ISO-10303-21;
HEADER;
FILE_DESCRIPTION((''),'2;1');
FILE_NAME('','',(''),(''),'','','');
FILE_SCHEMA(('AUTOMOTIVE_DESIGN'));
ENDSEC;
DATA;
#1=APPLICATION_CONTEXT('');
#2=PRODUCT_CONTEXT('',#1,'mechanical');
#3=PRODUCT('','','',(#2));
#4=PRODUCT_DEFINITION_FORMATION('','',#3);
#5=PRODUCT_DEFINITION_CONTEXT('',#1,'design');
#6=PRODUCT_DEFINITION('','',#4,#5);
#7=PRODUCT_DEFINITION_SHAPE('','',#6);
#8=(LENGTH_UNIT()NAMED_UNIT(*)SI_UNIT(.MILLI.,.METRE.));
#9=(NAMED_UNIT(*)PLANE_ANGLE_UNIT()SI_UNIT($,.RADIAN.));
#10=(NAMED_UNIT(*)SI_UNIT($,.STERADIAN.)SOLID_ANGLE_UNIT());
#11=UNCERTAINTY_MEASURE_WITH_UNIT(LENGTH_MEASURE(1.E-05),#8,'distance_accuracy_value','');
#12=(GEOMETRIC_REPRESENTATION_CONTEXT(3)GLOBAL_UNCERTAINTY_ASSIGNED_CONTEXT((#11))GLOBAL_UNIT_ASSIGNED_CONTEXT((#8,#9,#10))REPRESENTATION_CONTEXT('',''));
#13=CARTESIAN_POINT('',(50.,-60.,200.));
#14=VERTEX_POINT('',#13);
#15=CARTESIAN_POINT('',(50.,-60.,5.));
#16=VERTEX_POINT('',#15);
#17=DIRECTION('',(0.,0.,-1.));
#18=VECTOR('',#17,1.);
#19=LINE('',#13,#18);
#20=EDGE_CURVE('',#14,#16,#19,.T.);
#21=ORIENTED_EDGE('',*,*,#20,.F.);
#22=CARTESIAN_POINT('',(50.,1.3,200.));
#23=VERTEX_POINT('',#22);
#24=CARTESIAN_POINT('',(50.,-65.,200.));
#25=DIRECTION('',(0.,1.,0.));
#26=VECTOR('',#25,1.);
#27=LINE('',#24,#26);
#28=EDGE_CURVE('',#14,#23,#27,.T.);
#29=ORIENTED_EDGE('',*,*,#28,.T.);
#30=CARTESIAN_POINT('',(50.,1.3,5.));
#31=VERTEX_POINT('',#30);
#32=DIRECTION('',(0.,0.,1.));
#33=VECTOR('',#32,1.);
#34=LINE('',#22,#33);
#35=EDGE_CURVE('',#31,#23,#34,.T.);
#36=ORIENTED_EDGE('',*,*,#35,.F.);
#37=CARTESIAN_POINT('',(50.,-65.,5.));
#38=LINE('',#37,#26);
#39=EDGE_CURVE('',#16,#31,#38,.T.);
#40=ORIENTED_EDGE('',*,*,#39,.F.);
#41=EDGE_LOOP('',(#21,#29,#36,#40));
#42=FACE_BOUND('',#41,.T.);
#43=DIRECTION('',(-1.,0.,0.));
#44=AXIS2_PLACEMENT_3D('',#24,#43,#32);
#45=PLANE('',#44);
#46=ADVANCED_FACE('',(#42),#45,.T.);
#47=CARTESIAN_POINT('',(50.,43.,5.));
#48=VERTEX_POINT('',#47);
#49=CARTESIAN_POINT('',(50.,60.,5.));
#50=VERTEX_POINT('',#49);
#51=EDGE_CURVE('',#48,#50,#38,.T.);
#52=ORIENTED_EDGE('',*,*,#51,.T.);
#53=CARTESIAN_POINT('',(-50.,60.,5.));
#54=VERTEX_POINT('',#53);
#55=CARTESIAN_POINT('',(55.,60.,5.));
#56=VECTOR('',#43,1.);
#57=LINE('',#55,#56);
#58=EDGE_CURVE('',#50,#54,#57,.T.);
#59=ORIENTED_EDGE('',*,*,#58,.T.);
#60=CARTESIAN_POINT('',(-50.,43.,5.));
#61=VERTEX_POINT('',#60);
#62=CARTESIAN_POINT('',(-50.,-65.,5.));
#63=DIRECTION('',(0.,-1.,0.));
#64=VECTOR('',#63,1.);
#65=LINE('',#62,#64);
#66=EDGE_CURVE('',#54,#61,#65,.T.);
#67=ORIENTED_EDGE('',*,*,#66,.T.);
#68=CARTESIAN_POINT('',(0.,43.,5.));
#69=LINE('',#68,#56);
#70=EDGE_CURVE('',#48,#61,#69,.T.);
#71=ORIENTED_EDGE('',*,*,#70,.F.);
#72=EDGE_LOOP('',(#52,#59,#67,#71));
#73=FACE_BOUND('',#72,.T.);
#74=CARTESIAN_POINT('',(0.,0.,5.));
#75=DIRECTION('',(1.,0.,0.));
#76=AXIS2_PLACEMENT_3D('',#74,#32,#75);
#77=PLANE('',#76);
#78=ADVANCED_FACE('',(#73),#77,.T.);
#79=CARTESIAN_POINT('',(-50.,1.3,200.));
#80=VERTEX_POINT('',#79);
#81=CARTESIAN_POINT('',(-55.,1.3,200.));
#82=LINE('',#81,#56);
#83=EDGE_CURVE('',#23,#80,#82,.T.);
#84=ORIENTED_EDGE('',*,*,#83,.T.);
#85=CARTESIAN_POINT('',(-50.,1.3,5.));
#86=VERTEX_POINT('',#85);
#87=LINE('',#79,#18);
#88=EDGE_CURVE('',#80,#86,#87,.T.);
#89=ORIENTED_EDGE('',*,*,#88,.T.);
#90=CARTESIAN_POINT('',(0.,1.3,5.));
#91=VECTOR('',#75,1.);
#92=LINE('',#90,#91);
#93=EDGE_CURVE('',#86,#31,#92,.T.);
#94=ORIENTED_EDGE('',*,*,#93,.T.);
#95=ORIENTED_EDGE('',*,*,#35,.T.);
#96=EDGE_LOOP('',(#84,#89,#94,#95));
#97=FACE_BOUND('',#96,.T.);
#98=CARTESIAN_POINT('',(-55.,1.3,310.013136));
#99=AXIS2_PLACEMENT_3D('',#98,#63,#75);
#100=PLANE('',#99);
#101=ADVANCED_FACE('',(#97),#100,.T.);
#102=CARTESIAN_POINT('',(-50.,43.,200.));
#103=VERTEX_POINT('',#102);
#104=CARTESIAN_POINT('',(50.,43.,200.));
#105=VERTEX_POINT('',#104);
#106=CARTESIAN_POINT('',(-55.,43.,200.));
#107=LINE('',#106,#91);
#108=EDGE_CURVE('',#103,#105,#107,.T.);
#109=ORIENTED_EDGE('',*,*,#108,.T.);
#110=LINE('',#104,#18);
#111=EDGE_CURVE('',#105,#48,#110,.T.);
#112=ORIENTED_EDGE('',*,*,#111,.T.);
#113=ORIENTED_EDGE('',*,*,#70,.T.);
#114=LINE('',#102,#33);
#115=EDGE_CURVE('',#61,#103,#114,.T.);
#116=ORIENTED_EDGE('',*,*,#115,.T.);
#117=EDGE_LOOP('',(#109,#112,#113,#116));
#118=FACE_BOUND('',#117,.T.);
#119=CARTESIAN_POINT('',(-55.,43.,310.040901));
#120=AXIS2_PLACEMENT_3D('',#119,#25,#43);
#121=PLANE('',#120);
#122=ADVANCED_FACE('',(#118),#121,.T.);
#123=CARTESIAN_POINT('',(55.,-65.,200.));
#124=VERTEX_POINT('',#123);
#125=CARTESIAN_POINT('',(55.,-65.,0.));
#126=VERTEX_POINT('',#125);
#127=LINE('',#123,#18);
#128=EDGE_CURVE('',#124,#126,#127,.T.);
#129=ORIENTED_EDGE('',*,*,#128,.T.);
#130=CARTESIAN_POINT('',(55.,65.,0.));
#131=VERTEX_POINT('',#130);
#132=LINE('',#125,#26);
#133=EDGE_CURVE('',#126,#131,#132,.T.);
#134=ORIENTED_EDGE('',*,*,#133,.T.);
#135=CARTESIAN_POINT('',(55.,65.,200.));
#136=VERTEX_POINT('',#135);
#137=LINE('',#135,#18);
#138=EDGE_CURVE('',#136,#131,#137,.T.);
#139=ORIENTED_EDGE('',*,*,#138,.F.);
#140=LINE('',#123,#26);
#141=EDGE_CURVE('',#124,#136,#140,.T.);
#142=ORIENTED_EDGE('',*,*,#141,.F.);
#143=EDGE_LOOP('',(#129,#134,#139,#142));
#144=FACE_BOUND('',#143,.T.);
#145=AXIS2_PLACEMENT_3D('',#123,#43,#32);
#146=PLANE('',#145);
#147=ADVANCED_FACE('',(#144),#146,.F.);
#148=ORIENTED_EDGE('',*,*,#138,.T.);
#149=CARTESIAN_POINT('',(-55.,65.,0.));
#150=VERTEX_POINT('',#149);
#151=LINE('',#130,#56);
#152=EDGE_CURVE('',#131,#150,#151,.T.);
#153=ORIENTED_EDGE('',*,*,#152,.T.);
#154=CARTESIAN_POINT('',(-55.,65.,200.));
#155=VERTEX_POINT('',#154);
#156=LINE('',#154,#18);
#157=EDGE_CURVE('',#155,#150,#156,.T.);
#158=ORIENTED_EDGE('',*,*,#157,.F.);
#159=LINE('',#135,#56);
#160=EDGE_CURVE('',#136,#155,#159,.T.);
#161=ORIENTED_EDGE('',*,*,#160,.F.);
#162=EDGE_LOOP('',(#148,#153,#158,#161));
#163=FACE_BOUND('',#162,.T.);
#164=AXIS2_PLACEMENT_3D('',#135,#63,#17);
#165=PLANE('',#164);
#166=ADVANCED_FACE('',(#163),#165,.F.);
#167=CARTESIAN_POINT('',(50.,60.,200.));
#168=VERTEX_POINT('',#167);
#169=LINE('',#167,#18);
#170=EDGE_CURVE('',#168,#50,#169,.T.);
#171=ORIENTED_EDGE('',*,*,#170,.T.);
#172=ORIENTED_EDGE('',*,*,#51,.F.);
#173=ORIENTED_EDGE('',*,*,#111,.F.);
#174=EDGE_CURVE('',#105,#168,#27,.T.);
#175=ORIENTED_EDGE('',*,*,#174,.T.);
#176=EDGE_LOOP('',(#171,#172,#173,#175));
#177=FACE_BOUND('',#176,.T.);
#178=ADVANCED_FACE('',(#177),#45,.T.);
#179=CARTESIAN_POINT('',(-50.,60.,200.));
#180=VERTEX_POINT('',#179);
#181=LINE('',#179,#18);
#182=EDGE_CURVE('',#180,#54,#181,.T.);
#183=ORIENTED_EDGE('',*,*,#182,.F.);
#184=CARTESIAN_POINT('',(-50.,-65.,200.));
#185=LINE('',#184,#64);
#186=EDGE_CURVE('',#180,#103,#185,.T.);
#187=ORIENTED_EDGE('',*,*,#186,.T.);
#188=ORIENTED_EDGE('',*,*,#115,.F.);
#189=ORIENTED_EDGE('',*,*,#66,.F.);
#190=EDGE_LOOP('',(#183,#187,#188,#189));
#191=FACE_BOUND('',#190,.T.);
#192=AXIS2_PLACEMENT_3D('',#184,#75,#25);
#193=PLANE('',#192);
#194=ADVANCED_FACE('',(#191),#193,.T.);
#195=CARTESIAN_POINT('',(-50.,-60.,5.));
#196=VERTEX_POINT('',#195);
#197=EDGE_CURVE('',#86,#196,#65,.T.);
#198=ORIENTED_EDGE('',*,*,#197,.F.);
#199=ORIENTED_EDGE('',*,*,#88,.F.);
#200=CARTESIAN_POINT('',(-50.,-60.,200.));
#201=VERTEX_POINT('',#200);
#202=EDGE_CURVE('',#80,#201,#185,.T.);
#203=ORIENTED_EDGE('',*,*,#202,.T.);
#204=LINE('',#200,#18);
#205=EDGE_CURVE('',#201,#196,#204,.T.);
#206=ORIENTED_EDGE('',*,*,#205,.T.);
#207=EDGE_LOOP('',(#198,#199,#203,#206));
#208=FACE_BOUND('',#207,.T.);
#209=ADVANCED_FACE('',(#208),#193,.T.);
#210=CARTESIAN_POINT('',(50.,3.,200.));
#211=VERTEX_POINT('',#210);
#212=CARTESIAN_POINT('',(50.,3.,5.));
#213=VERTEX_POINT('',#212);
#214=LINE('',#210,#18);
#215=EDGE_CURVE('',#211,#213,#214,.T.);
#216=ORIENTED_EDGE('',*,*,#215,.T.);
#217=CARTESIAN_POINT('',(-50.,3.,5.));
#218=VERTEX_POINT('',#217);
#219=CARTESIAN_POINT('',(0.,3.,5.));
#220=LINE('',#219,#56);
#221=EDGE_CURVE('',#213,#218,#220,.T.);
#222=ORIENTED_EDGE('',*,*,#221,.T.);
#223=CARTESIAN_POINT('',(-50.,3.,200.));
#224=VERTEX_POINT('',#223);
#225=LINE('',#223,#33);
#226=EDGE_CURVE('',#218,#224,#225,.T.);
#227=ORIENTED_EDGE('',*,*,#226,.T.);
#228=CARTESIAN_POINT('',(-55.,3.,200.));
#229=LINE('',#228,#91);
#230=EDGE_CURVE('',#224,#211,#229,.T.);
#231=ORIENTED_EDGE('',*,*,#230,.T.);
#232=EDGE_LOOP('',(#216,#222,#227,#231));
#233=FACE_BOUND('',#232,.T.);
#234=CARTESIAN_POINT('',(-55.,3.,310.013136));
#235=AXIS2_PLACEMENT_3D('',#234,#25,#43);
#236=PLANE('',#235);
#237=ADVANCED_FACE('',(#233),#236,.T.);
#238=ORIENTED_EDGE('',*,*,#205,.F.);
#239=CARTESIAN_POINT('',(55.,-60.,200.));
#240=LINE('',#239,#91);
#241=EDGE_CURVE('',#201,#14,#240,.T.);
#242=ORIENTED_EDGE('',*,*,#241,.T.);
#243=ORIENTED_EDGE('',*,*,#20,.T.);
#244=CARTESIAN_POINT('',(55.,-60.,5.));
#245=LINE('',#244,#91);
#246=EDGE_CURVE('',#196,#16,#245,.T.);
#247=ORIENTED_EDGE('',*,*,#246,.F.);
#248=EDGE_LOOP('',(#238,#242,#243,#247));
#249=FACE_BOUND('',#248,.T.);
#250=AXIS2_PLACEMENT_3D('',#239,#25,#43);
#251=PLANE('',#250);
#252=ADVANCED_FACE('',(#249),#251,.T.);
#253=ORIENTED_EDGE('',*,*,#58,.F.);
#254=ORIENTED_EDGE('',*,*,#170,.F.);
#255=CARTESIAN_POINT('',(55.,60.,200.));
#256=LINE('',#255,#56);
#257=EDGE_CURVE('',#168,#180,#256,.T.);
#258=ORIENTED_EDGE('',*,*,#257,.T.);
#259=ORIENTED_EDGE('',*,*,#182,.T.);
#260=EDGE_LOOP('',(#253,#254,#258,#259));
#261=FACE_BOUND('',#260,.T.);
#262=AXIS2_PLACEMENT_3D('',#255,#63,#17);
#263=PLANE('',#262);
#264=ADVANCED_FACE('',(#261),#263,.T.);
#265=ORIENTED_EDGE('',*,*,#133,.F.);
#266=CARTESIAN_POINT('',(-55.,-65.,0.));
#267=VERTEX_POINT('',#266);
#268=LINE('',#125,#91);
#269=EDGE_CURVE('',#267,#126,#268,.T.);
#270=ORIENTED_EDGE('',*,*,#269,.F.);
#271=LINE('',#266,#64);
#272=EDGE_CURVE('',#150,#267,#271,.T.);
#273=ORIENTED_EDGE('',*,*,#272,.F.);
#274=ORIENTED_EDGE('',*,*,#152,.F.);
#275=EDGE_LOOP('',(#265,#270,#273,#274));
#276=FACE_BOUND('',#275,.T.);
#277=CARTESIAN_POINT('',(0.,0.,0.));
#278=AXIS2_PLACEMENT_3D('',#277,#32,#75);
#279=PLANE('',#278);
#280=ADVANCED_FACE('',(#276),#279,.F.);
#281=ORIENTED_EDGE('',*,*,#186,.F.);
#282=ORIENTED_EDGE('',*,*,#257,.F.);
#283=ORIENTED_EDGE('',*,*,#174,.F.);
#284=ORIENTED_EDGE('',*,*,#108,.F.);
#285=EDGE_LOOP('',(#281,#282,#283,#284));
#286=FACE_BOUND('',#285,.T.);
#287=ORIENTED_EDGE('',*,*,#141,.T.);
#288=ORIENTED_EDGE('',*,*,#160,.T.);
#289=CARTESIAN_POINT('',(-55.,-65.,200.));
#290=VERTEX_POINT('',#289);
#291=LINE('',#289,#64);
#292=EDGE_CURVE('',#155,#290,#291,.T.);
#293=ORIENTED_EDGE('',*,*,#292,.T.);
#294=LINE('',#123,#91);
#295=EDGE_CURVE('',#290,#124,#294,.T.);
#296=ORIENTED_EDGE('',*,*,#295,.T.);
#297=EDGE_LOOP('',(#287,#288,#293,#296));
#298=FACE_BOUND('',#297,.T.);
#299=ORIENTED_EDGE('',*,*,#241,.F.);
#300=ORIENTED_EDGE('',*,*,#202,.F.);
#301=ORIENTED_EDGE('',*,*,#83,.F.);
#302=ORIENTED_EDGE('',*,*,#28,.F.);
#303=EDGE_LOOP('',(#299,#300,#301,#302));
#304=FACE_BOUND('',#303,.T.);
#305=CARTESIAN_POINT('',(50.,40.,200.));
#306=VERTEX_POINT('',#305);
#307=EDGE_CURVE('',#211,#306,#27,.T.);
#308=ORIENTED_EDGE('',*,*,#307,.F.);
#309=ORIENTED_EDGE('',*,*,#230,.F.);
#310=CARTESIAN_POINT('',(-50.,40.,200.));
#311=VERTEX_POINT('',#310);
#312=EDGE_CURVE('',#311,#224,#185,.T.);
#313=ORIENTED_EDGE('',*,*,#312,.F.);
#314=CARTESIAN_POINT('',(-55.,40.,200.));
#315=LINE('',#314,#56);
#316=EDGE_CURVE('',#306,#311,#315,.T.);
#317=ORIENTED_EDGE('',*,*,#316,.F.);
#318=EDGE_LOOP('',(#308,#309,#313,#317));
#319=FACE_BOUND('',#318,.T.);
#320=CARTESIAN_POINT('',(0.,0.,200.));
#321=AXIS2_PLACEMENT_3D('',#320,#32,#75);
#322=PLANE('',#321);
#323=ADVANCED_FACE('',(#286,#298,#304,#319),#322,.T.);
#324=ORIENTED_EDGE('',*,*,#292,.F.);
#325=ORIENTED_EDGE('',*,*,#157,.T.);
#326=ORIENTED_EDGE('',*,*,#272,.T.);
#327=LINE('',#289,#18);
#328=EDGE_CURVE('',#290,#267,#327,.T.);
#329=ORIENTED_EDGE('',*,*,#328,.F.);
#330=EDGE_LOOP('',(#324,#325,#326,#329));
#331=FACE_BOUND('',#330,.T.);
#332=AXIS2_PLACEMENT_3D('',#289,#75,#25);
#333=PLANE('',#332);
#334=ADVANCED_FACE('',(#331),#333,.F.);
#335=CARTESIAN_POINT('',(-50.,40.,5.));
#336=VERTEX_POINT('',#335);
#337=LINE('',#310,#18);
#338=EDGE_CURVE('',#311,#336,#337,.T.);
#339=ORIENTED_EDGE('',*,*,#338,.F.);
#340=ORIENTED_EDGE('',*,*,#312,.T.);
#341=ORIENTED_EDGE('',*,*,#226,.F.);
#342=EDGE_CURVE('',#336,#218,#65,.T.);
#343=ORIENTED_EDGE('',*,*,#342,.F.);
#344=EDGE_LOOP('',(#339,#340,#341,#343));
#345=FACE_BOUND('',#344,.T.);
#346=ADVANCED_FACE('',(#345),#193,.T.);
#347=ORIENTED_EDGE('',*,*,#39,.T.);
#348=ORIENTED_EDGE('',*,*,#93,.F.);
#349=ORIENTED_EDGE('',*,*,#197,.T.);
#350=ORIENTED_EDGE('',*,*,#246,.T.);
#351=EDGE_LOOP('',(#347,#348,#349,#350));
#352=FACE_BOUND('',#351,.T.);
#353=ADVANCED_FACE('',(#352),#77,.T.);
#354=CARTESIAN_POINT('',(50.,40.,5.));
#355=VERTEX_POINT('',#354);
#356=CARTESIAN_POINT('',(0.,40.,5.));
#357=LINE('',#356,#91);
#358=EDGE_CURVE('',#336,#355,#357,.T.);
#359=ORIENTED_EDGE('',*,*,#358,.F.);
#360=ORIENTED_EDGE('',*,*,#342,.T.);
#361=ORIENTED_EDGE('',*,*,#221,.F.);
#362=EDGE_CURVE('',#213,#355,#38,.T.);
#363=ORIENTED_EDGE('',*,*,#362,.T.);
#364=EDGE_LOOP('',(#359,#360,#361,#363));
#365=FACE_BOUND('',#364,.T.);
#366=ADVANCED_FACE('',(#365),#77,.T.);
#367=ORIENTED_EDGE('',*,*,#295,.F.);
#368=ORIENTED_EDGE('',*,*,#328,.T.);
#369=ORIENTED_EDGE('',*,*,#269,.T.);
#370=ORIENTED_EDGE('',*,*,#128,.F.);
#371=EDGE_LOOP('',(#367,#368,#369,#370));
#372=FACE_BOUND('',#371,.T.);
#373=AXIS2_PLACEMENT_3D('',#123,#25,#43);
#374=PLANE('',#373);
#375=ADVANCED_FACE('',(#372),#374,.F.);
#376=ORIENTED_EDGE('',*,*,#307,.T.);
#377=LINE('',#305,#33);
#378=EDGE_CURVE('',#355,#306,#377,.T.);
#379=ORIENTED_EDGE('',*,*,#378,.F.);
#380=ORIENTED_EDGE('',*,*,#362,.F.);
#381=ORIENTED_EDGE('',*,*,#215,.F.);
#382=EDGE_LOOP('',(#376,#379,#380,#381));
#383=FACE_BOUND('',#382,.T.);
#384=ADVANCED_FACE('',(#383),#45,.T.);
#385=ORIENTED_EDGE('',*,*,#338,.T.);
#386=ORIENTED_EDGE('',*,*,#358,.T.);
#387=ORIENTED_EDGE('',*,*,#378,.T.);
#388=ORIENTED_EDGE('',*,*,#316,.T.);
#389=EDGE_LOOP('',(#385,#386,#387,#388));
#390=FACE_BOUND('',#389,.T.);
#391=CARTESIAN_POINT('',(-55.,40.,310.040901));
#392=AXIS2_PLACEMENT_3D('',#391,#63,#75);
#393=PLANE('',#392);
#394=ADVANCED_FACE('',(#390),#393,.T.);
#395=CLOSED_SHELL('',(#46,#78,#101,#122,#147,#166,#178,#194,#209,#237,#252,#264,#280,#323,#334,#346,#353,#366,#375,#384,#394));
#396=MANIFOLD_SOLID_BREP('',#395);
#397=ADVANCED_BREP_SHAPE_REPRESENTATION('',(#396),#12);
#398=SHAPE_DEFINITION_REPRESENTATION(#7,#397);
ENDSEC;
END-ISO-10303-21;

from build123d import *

# Parameters (mm, degrees)
SKETCH1_W           = 110
SKETCH1_H           = 130
BOSS_EXTRUDE1_DEPTH = 200
SHELL1_T            = -5
SKETCH2_W           = 110
SKETCH2_H           = 1.7
BOSS_EXTRUDE2_DEPTH = 200
SKETCH5_W           = 110
SKETCH5_H           = 3
BOSS_EXTRUDE3_DEPTH = 200


with BuildPart() as part:
    # Sketch1 → Boss-Extrude1 (new body)
    with BuildSketch(Plane.XY):
        Rectangle(SKETCH1_W, SKETCH1_H)
    extrude(amount=BOSS_EXTRUDE1_DEPTH)

    # Shell1
    shell1_openings = [part.faces().sort_by_distance(p)[0] for p in [
        (0, 0, 200),
    ]]
    offset(amount=SHELL1_T, openings=shell1_openings, kind=Kind.INTERSECTION)

    # Sketch2 → Boss-Extrude2 (add)
    with BuildSketch(Plane(origin=(0, 0, 0), x_dir=(-1, 0, 0), z_dir=(0, 0, -1))):
        with Locations((0, 2.15)):
            Rectangle(SKETCH2_W, SKETCH2_H)
    extrude(amount=-BOSS_EXTRUDE2_DEPTH)

    # Sketch5 → Boss-Extrude3 (add)
    with BuildSketch(Plane(origin=(0, 0, 0), x_dir=(-1, 0, 0), z_dir=(0, 0, -1))):
        with Locations((0, 41.5)):
            Rectangle(SKETCH5_W, SKETCH5_H)
    extrude(amount=-BOSS_EXTRUDE3_DEPTH)


solid = part.part
